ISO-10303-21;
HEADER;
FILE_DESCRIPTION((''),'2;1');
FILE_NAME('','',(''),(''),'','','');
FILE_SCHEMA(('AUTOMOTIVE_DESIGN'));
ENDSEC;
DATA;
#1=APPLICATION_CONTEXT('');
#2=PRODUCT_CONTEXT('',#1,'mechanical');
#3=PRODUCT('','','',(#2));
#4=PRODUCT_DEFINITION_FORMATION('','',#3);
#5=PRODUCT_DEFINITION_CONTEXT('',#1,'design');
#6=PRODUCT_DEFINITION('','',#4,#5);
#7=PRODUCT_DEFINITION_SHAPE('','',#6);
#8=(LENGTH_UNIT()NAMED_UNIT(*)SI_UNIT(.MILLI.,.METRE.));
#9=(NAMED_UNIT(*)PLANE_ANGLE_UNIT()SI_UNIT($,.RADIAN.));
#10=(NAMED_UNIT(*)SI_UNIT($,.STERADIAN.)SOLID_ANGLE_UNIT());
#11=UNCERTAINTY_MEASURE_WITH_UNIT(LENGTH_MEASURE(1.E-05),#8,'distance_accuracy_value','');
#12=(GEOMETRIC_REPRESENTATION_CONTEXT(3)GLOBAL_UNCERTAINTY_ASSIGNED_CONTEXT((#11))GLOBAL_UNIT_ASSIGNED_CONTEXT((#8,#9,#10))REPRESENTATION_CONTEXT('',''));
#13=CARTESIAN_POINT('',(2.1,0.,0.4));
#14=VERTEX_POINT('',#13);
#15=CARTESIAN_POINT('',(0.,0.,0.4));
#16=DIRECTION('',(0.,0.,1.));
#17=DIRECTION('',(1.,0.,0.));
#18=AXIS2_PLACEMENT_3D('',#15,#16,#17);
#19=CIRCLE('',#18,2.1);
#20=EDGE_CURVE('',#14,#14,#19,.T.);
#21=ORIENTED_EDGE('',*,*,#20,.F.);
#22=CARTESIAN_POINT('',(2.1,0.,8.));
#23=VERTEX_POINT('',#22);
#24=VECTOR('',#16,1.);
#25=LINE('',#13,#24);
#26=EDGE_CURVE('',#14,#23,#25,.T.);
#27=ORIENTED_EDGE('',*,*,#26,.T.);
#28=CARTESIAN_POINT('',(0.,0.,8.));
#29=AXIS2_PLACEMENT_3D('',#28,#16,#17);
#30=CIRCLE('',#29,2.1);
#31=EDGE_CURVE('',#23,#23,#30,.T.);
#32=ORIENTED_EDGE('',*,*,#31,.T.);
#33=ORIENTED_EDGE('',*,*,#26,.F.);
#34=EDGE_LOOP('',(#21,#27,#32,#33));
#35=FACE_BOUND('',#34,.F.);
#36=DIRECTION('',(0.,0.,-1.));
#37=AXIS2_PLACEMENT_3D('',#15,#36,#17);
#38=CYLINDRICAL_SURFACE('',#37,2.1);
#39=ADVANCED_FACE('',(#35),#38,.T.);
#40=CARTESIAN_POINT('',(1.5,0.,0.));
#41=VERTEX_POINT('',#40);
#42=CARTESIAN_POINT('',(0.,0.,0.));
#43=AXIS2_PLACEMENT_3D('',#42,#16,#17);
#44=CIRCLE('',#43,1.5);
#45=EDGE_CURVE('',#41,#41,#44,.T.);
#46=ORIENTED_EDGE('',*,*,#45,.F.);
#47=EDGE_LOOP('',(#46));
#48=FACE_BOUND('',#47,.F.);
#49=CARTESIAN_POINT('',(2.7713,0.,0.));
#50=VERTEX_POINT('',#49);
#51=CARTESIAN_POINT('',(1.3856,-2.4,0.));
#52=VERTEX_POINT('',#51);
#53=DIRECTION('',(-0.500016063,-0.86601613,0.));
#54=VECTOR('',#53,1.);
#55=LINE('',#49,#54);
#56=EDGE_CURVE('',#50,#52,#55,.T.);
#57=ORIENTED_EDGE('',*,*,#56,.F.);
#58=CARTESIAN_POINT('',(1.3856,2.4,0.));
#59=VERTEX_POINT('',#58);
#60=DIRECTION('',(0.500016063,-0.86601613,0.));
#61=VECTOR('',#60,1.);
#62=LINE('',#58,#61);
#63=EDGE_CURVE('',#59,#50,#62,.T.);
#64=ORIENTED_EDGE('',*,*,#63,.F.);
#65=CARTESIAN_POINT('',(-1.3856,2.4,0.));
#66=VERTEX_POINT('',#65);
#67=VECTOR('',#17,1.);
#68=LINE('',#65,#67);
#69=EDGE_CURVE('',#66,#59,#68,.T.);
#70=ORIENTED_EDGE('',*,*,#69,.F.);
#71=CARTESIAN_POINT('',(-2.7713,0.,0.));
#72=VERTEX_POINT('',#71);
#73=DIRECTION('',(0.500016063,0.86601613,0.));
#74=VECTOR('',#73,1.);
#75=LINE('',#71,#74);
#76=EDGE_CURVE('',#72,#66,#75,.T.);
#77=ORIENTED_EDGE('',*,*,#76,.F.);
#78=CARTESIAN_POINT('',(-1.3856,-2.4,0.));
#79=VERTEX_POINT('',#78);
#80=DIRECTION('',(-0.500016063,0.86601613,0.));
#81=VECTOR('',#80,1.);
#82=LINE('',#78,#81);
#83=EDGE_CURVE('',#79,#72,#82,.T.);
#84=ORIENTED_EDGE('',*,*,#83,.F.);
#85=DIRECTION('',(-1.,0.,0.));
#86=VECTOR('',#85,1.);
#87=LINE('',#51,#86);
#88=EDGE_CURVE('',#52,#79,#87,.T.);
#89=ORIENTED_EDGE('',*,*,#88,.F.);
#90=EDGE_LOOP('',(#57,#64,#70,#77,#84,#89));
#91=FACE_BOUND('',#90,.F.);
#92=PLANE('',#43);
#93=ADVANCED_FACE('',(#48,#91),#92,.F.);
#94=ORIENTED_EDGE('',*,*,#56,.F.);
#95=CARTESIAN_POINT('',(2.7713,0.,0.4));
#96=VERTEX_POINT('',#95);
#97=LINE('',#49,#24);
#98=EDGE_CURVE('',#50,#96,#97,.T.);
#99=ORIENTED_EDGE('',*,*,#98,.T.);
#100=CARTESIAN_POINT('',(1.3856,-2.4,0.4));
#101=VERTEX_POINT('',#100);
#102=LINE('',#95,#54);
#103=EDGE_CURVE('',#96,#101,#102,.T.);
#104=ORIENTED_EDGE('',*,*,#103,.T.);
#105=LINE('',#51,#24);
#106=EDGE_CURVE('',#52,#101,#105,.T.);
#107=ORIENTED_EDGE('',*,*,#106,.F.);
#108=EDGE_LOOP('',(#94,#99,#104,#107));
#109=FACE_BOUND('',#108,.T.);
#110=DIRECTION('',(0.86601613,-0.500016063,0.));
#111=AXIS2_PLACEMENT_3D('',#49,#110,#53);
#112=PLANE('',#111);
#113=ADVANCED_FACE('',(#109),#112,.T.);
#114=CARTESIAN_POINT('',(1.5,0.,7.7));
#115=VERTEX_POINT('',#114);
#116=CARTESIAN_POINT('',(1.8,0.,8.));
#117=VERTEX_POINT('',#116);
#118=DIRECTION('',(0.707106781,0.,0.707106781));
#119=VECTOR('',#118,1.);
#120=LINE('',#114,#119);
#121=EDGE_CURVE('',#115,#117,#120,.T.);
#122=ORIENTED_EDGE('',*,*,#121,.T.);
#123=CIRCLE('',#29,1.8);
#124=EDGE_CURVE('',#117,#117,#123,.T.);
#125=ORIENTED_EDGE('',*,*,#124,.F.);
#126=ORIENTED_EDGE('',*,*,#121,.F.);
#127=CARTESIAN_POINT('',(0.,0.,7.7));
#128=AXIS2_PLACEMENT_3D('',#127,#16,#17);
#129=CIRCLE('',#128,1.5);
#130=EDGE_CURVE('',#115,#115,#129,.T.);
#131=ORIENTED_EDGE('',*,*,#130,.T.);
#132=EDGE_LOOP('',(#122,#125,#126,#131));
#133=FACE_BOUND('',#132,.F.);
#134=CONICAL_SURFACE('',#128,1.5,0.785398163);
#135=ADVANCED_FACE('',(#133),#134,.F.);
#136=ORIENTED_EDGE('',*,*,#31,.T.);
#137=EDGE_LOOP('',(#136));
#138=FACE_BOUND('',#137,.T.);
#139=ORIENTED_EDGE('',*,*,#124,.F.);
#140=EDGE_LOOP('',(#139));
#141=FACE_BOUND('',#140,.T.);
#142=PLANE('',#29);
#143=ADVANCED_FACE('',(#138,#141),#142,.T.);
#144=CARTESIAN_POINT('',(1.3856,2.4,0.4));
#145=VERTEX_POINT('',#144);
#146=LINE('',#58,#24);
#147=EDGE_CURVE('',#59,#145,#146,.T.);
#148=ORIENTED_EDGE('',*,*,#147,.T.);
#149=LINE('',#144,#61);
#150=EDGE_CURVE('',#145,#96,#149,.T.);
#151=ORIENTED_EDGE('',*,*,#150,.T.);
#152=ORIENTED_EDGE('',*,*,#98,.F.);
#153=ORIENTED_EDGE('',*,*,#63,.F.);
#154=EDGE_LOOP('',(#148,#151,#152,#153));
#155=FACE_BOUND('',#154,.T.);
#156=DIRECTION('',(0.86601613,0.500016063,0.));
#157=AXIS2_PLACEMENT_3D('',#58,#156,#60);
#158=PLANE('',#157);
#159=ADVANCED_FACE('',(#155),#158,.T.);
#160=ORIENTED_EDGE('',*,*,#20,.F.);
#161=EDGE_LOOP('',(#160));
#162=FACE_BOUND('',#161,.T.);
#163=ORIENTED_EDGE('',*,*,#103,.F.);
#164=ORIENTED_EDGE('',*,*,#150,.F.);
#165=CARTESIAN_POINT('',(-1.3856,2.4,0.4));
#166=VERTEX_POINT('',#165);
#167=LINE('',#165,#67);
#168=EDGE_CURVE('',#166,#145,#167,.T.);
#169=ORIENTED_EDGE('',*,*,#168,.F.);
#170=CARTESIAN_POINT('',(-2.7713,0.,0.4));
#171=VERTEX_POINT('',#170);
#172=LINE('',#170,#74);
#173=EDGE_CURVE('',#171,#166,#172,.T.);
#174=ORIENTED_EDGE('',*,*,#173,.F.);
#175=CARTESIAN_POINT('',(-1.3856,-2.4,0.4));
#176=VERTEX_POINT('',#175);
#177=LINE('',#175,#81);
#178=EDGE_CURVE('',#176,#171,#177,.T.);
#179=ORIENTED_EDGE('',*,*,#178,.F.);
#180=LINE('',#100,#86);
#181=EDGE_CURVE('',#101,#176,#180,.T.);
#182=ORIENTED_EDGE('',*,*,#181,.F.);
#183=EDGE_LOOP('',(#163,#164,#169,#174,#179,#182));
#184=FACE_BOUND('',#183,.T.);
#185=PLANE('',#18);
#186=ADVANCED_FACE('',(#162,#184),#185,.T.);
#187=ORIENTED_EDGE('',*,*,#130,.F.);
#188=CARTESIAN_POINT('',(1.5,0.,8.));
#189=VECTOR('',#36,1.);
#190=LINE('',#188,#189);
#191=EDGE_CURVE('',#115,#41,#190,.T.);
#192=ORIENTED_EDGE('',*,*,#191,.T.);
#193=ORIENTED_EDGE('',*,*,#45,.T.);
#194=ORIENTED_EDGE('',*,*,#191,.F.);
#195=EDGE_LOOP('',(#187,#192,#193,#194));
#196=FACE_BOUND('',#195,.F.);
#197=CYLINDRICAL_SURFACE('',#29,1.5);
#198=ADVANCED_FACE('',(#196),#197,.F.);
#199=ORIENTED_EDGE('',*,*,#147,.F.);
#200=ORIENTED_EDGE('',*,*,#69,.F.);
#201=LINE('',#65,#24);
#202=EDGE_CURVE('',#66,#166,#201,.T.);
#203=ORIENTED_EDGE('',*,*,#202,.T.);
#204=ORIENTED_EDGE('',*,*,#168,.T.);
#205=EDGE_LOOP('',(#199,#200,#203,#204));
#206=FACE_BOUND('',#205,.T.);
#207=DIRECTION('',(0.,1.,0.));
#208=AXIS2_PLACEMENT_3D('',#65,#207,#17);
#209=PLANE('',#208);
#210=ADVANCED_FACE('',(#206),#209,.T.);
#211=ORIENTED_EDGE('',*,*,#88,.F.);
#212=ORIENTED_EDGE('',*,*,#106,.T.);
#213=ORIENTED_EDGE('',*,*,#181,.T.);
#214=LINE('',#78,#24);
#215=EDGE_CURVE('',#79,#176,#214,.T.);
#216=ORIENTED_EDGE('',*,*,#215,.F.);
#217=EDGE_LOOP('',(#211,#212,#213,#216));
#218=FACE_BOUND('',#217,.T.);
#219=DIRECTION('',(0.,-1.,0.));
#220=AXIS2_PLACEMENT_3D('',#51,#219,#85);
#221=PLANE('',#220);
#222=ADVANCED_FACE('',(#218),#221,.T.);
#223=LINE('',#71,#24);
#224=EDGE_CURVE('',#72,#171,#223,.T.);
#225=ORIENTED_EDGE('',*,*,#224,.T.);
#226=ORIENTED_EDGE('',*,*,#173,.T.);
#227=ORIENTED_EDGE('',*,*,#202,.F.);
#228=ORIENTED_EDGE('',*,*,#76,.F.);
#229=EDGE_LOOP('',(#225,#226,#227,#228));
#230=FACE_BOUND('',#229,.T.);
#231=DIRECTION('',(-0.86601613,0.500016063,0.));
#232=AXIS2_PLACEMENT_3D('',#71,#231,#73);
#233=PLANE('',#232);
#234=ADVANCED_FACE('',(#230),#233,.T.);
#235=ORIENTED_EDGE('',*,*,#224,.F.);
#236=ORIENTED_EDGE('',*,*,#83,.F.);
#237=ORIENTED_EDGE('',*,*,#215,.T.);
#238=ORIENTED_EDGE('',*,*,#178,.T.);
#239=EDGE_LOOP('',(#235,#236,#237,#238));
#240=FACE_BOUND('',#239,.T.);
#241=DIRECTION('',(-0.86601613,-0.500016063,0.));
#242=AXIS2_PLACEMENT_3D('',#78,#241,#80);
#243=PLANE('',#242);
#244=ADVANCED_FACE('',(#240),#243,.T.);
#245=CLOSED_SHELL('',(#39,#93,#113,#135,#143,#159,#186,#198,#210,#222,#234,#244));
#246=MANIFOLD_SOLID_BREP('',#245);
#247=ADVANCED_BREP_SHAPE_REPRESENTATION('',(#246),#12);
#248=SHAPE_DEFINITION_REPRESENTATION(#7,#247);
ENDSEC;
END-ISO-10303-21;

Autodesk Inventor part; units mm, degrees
ref_plane "YZ Plane" through (0, 0, 0) normal (1, 0, 0) x (0, 1, 0)
ref_plane "XZ Plane" through (0, 0, 0) normal (0, 1, 0) x (-1, 0, 0)
ref_plane "XY Plane" through (0, 0, 0) normal (0, 0, 1) x (1, 0, 0)
sketch "Sketch1" plane through (0, 0, 0) normal (0, 0, 1) x (1, 0, 0)
  line L0 (1.3856, 2.4) -> (2.7713, 0)
  line L1 (2.7713, 0) -> (1.3856, -2.4)
  line L2 (1.3856, -2.4) -> (-1.3856, -2.4)
  line L3 (-1.3856, -2.4) -> (-2.7713, 0)
  line L4 (-2.7713, 0) -> (-1.3856, 2.4)
  line L5 (-1.3856, 2.4) -> (1.3856, 2.4)
  point P0 (0, 0)
  dimension "d0" = 4.8
extrude "Extrusion1" add sketch "Sketch1" along normal blind 0.4
sketch "Sketch2" plane through (0, 0, 0.4) normal (0, 0, 1) x (1, 0, 0)
  circle A0 centre (0, 0) radius 2.1
  dimension "d3" = 4.2
extrude "Extrusion2" add sketch "Sketch2" along normal blind 7.6
sketch "Sketch3" plane through (0, 0, 8) normal (0, 0, 1) x (1, 0, 0)
  circle A0 centre (0, 0) radius 2.1 projected
  circle A1 centre (0, 0) radius 1.5
  dimension "d6" = 3
extrude "Extrusion3" cut sketch "Sketch3" against normal blind 10 contours A1
chamfer "Chamfer1" distance 0.3 angle 45 1 edges at (-1.5, 0, 8)
thread "Thread1" size "M3x0.5" class "6H" standard "ANSI Metric M Profile" full length
properties part number "Вытяжная заклепка_Р-Ш-М3" material "Сталь низкоуглеродистая"
